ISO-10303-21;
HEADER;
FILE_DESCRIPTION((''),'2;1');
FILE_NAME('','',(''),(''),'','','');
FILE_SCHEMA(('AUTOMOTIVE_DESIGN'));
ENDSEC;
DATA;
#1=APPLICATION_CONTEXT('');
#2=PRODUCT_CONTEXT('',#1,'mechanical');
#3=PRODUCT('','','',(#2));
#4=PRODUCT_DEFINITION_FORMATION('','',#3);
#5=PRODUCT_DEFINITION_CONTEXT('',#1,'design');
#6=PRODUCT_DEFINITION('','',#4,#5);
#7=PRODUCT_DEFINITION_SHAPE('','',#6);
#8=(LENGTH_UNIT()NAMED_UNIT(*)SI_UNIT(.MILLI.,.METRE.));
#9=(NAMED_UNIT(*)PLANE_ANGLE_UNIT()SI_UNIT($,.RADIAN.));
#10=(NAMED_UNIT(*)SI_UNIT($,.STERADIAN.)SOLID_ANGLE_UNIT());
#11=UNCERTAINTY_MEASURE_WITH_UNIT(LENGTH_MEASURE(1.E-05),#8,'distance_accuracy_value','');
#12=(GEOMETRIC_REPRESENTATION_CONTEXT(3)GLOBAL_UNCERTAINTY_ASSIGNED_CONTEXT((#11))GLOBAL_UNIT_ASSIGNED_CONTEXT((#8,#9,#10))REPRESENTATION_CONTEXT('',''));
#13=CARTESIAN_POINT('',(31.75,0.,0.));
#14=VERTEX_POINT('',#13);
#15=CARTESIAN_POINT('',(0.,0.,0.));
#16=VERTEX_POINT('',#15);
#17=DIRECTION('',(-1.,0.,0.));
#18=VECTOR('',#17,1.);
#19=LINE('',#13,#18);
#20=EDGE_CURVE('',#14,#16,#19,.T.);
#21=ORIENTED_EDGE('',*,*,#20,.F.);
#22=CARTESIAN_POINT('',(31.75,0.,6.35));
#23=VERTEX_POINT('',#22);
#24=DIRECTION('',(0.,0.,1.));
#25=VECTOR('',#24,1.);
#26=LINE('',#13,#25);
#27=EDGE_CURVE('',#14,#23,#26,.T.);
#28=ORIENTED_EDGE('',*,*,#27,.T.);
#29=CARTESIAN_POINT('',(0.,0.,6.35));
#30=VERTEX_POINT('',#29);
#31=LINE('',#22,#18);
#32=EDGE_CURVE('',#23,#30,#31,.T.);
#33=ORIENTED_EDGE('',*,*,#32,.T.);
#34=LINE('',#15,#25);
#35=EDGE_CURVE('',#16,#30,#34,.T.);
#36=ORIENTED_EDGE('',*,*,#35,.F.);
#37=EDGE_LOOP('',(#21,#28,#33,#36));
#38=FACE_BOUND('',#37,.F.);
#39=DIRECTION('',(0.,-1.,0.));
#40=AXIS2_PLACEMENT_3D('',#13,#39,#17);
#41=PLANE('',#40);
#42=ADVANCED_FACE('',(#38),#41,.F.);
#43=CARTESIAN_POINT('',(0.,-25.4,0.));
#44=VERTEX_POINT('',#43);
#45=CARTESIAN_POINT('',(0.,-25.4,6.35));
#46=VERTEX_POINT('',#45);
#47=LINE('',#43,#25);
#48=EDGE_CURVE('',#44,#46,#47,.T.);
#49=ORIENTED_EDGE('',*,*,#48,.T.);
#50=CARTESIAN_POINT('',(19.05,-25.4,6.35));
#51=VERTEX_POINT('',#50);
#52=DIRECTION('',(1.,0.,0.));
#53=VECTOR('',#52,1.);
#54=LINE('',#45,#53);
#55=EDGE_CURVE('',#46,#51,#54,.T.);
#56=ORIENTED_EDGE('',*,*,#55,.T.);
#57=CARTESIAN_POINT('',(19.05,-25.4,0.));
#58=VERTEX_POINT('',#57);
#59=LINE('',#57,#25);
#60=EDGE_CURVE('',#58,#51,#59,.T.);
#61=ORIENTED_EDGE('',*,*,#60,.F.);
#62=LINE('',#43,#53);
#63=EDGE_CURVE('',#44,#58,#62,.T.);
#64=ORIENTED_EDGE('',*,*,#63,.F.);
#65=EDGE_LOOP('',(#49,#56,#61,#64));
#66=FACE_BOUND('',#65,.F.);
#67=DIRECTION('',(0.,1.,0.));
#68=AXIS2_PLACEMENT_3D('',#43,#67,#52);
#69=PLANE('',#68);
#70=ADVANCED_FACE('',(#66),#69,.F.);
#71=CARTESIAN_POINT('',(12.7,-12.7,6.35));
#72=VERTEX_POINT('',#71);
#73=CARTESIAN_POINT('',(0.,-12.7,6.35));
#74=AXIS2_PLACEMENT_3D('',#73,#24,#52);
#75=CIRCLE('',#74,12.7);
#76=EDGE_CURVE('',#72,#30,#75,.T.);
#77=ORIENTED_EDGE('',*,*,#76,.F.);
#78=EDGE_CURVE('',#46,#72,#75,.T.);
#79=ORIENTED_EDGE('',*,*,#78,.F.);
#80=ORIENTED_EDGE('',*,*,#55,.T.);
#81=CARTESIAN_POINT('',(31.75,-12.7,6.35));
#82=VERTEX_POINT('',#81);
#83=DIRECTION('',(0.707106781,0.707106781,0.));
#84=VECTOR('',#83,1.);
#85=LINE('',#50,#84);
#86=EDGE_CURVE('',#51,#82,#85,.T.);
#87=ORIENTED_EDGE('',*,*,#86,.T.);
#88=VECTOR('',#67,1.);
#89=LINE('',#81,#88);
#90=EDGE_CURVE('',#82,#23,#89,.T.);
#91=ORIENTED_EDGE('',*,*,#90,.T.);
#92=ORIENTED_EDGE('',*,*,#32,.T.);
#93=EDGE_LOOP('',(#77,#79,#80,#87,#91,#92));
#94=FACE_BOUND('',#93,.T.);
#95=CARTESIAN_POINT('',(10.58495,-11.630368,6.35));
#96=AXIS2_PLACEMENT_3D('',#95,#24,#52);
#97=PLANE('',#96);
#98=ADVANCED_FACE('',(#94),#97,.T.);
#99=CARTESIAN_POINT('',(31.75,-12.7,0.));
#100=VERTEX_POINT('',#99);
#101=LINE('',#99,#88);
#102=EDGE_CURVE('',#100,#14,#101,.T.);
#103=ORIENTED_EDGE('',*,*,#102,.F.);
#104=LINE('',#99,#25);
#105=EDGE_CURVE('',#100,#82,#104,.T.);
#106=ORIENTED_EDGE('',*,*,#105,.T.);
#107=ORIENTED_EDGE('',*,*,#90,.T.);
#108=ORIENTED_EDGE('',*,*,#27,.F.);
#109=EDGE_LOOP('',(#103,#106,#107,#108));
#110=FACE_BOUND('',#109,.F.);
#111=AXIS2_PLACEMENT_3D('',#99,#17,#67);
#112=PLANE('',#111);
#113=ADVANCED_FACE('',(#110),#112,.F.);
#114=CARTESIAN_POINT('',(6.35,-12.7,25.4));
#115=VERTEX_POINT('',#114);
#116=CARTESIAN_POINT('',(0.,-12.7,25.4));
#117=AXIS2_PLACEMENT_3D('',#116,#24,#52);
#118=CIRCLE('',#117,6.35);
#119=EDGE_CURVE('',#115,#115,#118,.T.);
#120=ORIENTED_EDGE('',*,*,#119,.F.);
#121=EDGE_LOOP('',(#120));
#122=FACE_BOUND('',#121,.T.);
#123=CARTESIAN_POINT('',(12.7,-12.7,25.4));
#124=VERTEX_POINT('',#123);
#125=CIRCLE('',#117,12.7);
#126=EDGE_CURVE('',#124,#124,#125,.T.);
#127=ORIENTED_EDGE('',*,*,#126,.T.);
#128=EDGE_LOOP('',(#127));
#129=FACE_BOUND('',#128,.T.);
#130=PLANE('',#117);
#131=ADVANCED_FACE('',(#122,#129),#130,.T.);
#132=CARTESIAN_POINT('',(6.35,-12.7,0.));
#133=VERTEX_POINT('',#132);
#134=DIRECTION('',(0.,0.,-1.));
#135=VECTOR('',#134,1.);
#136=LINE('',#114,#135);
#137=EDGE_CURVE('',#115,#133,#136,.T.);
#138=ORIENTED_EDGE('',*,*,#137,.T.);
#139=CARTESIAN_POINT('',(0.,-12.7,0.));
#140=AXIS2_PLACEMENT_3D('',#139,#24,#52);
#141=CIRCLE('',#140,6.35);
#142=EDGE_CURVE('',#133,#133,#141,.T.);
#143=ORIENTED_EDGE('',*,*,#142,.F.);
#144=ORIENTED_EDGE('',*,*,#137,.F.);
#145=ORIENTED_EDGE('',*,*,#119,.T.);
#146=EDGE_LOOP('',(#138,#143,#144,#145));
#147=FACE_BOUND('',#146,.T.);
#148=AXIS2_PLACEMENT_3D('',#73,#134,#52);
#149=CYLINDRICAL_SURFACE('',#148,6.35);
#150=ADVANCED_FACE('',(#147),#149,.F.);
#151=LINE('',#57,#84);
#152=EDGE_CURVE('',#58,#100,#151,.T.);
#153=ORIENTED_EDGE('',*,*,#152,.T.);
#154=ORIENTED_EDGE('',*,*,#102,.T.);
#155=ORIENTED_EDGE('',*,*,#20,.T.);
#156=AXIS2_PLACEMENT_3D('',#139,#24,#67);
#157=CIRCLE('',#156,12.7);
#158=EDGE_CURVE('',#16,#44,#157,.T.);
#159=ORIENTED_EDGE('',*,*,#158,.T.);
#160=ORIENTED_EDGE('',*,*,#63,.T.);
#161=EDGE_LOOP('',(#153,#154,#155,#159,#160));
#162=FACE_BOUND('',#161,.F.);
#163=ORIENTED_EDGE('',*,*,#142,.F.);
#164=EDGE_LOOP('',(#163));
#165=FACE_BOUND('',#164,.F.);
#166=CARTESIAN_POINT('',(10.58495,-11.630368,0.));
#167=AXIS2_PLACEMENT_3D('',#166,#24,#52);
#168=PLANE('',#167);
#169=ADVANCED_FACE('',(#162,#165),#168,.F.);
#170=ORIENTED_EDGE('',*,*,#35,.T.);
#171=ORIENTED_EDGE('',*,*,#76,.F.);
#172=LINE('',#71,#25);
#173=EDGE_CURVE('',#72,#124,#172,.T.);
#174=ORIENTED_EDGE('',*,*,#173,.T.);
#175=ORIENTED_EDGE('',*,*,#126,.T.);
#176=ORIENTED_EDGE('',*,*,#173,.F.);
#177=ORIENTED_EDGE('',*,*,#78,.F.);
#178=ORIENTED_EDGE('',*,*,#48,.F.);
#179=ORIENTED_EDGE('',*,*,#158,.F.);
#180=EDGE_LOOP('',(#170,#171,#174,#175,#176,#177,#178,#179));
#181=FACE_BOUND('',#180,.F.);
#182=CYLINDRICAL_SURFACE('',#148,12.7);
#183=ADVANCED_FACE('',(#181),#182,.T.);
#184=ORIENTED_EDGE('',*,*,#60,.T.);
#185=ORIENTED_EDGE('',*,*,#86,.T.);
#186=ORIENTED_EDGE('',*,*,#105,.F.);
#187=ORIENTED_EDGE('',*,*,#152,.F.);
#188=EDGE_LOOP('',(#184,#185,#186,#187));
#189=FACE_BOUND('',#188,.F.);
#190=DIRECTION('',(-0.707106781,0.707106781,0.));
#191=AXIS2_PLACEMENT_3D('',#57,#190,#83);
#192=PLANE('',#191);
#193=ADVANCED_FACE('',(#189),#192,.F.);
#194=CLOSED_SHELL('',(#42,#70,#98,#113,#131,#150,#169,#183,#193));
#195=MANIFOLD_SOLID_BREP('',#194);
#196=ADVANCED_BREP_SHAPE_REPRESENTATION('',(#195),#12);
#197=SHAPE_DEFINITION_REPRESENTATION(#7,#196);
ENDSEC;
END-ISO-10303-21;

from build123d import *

# Parameters (mm, degrees)
F0_R     = 6.35
F1_DEPTH = 6.35
F2_R     = 12.7
F2_R_2   = 6.35
F3_DEPTH = 19.05


with BuildPart() as f1:
    # F0 (on Top) → F1 (new body)
    with BuildSketch(Plane.XY):
        with BuildLine():
            Line((31.75, 0), (0, 0))
            ThreePointArc((0, 0), (-12.7, -12.7), (0, -25.4))
            Line((0, -25.4), (19.05, -25.4))
            Line((19.05, -25.4), (31.75, -12.7))
            Line((31.75, -12.7), (31.75, 0))
        make_face()
        with Locations((0, -12.7)):
            Circle(F0_R, mode=Mode.SUBTRACT)
    extrude(amount=F1_DEPTH)

    # F2 (on face) → F3 (join)
    with BuildSketch(Plane.XY.offset(6.35)):
        with Locations((0, -12.7)):
            Circle(F2_R)
        with Locations((0, -12.7)):
            Circle(F2_R_2, mode=Mode.SUBTRACT)
    extrude(amount=F3_DEPTH)


solid = f1.part
